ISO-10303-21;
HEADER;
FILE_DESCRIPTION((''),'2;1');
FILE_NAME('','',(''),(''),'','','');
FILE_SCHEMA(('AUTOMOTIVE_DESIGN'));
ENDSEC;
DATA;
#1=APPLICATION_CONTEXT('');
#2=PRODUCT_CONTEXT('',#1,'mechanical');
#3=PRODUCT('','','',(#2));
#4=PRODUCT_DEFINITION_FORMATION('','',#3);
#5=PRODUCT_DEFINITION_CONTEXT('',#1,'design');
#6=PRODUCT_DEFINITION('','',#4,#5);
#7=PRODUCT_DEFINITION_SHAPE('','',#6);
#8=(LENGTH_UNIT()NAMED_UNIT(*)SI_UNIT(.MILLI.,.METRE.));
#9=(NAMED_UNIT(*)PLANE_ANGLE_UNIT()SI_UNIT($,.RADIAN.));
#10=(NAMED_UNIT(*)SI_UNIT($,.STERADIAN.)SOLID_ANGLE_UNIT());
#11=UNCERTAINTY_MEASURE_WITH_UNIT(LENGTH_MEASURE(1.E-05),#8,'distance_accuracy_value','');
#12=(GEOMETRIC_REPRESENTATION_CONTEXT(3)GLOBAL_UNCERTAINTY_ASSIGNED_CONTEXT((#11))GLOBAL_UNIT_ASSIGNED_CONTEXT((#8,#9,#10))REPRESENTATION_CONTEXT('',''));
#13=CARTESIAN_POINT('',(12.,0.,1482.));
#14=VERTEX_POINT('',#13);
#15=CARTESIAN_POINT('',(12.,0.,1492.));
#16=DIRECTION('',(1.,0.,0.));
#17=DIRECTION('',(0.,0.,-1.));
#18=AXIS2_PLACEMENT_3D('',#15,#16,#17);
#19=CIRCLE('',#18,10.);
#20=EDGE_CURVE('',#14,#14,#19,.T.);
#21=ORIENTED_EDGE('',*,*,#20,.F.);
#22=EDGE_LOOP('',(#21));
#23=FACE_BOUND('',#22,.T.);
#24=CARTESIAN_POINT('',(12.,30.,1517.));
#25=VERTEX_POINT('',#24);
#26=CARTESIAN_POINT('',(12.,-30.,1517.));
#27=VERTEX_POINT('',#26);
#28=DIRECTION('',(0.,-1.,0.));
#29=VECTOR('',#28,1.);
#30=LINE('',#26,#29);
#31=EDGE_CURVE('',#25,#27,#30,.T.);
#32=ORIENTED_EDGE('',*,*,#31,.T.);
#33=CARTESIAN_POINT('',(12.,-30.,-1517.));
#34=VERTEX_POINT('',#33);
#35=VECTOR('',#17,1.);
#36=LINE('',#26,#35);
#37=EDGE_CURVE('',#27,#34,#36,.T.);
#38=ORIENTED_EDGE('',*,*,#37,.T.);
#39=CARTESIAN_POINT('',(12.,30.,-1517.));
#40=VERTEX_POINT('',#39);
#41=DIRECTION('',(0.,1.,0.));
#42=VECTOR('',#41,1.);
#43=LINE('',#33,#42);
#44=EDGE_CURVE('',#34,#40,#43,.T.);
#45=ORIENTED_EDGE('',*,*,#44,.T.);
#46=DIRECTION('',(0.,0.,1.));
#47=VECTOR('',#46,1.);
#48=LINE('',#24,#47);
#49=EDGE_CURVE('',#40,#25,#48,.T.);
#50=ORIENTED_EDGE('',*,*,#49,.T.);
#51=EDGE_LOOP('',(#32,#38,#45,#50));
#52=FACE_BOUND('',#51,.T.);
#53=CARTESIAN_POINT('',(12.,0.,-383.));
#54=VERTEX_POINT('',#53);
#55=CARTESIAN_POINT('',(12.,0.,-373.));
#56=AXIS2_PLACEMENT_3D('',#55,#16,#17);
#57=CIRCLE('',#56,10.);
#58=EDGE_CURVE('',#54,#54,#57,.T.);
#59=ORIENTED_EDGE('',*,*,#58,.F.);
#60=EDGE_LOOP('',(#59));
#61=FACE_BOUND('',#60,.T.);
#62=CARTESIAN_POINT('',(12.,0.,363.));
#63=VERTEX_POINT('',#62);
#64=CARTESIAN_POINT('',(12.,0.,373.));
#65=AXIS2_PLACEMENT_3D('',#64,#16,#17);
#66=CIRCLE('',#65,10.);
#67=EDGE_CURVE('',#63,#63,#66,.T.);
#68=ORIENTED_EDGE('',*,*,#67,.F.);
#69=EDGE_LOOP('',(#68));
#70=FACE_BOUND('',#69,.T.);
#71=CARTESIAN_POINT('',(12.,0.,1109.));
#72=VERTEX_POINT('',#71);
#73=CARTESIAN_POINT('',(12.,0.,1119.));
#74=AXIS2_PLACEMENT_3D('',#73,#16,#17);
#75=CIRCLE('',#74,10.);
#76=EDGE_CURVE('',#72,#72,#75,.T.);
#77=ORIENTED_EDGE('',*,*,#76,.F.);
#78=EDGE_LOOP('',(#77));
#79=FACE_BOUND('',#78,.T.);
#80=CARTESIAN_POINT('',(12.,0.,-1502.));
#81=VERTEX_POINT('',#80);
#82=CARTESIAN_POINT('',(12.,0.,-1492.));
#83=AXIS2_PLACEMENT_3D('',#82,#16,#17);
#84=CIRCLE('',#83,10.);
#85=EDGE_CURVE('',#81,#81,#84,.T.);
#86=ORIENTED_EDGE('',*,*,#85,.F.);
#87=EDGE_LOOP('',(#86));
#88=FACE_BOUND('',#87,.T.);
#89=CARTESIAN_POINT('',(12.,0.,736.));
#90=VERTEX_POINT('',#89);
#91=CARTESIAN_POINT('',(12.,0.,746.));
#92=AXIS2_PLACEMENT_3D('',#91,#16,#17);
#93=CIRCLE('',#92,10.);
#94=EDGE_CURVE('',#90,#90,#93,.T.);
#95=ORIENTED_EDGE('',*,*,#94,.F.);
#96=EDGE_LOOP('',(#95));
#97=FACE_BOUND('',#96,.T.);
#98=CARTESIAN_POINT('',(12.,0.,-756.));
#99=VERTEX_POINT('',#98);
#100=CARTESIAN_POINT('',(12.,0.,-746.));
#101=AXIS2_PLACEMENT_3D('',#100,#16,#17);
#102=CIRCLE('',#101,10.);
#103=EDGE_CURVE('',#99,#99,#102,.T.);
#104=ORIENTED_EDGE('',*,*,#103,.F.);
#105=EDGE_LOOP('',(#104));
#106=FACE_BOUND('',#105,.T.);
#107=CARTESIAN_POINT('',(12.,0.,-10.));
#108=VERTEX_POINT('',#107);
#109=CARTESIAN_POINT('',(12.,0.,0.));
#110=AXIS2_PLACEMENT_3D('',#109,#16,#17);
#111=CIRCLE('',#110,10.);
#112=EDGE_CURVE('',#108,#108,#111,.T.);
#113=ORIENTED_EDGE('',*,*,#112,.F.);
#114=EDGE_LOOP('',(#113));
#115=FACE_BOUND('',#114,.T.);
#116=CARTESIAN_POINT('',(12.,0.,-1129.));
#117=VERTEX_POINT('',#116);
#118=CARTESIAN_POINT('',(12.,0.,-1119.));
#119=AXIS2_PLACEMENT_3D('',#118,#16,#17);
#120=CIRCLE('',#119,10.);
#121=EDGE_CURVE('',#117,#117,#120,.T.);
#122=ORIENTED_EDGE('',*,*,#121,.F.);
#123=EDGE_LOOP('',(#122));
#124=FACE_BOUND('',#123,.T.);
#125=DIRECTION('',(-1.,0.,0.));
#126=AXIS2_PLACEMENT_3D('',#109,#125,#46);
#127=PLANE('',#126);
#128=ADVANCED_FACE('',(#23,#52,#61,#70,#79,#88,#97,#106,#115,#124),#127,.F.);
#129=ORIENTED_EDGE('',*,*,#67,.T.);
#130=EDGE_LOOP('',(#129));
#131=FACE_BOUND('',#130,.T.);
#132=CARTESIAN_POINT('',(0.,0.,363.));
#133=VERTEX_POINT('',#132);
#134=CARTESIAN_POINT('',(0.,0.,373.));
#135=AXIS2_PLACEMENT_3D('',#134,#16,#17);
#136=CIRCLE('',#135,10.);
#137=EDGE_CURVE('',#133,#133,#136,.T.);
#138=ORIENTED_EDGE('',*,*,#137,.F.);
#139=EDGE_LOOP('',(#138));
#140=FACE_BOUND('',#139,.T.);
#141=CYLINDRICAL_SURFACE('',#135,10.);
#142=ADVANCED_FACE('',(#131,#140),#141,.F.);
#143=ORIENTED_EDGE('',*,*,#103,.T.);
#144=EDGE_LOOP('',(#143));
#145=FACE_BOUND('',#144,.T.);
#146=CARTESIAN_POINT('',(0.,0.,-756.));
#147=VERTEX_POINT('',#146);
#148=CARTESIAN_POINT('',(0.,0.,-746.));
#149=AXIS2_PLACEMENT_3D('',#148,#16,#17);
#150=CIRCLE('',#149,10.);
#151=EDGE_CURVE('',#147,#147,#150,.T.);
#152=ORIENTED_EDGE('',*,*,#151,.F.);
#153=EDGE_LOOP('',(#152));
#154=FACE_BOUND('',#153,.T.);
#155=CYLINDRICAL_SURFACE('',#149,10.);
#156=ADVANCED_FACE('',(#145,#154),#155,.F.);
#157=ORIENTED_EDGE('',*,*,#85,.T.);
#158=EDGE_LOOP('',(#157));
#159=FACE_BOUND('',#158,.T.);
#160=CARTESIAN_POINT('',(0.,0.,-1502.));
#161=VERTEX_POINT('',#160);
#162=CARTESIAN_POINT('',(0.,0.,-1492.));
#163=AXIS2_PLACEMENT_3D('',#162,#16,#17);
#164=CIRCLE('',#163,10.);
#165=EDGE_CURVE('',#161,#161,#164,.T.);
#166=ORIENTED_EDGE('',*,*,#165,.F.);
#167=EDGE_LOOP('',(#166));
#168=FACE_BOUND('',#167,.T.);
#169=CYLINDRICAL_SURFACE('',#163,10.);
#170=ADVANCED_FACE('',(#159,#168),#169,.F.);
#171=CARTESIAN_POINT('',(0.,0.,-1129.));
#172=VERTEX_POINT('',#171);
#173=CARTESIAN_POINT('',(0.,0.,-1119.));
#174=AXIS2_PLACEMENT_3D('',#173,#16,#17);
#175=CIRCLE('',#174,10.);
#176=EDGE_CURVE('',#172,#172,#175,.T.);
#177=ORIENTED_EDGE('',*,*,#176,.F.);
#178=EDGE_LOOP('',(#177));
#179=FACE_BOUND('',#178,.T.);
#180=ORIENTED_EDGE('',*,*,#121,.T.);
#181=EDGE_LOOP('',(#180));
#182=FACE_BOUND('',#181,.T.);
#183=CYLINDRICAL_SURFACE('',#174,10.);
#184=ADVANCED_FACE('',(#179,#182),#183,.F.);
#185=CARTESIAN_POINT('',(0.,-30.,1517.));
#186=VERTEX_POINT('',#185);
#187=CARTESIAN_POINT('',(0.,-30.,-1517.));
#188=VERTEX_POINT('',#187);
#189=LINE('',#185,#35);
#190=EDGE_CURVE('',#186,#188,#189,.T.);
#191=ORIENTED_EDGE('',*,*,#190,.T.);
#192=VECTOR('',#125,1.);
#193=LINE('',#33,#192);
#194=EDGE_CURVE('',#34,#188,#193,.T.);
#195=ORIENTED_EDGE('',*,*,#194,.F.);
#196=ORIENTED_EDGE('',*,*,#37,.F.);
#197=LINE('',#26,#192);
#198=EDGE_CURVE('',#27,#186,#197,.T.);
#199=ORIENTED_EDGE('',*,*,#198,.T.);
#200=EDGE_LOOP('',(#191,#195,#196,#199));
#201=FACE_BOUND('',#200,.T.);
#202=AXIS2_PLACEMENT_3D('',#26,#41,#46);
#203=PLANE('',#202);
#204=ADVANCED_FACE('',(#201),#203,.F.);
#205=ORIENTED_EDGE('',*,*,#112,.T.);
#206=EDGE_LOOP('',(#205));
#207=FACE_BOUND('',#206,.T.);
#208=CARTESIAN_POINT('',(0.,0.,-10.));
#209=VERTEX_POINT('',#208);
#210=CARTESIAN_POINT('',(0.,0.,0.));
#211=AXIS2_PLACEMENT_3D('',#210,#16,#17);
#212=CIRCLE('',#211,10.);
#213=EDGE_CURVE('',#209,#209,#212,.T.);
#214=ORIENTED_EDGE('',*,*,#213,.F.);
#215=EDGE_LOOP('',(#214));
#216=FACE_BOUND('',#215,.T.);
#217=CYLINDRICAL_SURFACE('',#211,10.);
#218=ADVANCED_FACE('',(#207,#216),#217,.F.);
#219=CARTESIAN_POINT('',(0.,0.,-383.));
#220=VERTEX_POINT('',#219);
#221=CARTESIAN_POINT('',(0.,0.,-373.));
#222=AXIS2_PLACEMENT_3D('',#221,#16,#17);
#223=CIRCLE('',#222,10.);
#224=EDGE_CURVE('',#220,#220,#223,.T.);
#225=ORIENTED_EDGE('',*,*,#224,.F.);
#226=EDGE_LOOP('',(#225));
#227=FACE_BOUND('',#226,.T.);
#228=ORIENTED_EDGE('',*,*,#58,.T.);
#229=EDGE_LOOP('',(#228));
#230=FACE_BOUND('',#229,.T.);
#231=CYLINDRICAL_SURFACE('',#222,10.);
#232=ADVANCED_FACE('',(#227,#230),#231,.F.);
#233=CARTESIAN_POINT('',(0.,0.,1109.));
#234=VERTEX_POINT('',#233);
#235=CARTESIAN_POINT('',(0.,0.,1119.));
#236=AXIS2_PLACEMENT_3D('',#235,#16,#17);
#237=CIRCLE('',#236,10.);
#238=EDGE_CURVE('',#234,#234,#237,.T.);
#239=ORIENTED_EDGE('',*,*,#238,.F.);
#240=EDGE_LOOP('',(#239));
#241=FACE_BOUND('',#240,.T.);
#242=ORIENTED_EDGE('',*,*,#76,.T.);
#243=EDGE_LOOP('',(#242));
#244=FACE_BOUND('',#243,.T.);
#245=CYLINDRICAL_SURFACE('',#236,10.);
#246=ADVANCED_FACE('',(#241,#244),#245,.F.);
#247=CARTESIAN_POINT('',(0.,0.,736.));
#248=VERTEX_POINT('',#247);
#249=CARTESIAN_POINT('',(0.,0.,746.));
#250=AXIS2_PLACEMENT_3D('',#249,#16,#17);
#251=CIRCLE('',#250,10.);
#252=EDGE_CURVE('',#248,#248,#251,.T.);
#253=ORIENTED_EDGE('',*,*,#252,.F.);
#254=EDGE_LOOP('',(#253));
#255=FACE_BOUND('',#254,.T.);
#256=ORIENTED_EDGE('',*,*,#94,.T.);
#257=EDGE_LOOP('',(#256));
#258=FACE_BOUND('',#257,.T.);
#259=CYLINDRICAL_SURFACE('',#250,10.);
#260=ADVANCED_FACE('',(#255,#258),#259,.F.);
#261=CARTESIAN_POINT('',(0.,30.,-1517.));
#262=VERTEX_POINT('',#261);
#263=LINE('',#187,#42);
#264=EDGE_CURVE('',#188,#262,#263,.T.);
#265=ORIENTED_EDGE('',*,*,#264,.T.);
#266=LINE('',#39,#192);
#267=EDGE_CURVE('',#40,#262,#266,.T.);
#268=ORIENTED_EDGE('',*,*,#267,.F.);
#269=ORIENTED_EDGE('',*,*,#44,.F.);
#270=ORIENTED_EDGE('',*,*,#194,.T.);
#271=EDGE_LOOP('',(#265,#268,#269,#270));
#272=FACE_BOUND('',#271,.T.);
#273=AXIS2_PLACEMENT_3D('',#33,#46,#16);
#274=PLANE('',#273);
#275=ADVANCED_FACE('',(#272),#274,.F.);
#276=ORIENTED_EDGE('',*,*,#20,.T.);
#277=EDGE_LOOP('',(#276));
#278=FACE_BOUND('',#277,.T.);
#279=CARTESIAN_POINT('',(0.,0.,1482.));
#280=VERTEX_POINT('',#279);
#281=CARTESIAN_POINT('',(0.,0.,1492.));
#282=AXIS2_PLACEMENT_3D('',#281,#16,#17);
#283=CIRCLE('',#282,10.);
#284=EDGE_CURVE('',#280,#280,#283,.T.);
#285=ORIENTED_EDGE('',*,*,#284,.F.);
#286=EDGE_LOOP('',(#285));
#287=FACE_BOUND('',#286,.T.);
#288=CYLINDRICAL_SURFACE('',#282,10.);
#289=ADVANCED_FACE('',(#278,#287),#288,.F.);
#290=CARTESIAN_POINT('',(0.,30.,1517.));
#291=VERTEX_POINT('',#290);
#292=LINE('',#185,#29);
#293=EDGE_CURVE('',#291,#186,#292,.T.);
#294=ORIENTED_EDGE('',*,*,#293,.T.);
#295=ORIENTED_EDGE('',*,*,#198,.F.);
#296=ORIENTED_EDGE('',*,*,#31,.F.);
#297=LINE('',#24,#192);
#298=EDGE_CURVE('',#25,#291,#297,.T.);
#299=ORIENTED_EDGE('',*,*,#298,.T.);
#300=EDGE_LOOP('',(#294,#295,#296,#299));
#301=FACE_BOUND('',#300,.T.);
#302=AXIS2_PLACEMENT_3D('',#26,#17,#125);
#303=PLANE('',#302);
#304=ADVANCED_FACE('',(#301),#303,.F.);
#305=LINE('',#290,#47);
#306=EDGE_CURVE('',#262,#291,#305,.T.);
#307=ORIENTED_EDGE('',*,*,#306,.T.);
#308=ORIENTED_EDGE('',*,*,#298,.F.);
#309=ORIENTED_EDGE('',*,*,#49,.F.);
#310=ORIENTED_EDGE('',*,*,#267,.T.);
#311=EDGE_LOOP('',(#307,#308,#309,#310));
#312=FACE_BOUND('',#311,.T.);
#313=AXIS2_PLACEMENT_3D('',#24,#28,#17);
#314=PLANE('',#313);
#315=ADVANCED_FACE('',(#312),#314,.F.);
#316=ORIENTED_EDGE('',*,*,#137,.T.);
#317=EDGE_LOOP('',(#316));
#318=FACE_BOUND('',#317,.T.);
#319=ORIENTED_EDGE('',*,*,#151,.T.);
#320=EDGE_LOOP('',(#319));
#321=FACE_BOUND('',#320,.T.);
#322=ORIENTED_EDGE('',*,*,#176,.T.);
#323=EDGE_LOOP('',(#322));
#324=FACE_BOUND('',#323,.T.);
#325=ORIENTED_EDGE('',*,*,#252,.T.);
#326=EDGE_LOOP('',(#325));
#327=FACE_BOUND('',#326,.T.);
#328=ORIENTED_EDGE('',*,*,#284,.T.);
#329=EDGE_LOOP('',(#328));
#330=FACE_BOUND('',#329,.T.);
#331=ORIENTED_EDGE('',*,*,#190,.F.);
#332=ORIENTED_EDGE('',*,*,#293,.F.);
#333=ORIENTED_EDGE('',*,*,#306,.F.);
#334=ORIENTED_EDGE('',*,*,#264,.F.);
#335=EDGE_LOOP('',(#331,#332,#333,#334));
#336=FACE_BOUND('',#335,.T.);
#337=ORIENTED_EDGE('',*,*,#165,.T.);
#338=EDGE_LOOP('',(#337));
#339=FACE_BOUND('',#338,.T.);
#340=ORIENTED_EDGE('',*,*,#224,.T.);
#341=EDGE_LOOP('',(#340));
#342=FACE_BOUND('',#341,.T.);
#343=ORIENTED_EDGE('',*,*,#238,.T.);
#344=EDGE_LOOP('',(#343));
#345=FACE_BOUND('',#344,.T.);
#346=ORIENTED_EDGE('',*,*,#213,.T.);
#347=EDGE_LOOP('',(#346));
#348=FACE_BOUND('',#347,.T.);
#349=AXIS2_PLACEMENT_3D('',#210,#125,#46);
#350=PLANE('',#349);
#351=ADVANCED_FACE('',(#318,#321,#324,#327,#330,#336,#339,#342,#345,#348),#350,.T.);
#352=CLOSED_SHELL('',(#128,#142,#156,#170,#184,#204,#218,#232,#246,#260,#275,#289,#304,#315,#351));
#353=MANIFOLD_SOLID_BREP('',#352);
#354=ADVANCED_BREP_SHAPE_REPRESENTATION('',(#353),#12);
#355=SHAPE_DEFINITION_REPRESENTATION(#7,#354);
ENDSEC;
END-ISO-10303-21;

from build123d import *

# Parameters (mm, degrees)
SKETCH1_W           = 3034
SKETCH1_H           = 60
BOSS_EXTRUDE1_DEPTH = 12
SKETCH2_R           = 10
CUT_EXTRUDE1_DEPTH  = 12
LPATTERN1_COUNT     = 9
LPATTERN1_PITCH     = 373


with BuildPart() as part:
    # Sketch1 → Boss-Extrude1 (new body)
    with BuildSketch(Plane(origin=(0, 0, 0), x_dir=(0, 0, -1), z_dir=(1, 0, 0))):
        Rectangle(SKETCH1_W, SKETCH1_H)
    extrude(amount=BOSS_EXTRUDE1_DEPTH)

    # Sketch2 → Cut-Extrude1 (cut)
    with BuildSketch(Plane(origin=(12, 0, 0), x_dir=(0, 0, -1), z_dir=(1, 0, 0))):
        with Locations((-1492, 0)):
            Circle(SKETCH2_R)
    cut_extrude1 = extrude(amount=-CUT_EXTRUDE1_DEPTH, mode=Mode.SUBTRACT)

    # LPattern1: Cut-Extrude1 ×9
    with Locations(*[(0, 0, -i * LPATTERN1_PITCH) for i in range(1, LPATTERN1_COUNT)]):
        add(cut_extrude1, mode=Mode.SUBTRACT)


solid = part.part
